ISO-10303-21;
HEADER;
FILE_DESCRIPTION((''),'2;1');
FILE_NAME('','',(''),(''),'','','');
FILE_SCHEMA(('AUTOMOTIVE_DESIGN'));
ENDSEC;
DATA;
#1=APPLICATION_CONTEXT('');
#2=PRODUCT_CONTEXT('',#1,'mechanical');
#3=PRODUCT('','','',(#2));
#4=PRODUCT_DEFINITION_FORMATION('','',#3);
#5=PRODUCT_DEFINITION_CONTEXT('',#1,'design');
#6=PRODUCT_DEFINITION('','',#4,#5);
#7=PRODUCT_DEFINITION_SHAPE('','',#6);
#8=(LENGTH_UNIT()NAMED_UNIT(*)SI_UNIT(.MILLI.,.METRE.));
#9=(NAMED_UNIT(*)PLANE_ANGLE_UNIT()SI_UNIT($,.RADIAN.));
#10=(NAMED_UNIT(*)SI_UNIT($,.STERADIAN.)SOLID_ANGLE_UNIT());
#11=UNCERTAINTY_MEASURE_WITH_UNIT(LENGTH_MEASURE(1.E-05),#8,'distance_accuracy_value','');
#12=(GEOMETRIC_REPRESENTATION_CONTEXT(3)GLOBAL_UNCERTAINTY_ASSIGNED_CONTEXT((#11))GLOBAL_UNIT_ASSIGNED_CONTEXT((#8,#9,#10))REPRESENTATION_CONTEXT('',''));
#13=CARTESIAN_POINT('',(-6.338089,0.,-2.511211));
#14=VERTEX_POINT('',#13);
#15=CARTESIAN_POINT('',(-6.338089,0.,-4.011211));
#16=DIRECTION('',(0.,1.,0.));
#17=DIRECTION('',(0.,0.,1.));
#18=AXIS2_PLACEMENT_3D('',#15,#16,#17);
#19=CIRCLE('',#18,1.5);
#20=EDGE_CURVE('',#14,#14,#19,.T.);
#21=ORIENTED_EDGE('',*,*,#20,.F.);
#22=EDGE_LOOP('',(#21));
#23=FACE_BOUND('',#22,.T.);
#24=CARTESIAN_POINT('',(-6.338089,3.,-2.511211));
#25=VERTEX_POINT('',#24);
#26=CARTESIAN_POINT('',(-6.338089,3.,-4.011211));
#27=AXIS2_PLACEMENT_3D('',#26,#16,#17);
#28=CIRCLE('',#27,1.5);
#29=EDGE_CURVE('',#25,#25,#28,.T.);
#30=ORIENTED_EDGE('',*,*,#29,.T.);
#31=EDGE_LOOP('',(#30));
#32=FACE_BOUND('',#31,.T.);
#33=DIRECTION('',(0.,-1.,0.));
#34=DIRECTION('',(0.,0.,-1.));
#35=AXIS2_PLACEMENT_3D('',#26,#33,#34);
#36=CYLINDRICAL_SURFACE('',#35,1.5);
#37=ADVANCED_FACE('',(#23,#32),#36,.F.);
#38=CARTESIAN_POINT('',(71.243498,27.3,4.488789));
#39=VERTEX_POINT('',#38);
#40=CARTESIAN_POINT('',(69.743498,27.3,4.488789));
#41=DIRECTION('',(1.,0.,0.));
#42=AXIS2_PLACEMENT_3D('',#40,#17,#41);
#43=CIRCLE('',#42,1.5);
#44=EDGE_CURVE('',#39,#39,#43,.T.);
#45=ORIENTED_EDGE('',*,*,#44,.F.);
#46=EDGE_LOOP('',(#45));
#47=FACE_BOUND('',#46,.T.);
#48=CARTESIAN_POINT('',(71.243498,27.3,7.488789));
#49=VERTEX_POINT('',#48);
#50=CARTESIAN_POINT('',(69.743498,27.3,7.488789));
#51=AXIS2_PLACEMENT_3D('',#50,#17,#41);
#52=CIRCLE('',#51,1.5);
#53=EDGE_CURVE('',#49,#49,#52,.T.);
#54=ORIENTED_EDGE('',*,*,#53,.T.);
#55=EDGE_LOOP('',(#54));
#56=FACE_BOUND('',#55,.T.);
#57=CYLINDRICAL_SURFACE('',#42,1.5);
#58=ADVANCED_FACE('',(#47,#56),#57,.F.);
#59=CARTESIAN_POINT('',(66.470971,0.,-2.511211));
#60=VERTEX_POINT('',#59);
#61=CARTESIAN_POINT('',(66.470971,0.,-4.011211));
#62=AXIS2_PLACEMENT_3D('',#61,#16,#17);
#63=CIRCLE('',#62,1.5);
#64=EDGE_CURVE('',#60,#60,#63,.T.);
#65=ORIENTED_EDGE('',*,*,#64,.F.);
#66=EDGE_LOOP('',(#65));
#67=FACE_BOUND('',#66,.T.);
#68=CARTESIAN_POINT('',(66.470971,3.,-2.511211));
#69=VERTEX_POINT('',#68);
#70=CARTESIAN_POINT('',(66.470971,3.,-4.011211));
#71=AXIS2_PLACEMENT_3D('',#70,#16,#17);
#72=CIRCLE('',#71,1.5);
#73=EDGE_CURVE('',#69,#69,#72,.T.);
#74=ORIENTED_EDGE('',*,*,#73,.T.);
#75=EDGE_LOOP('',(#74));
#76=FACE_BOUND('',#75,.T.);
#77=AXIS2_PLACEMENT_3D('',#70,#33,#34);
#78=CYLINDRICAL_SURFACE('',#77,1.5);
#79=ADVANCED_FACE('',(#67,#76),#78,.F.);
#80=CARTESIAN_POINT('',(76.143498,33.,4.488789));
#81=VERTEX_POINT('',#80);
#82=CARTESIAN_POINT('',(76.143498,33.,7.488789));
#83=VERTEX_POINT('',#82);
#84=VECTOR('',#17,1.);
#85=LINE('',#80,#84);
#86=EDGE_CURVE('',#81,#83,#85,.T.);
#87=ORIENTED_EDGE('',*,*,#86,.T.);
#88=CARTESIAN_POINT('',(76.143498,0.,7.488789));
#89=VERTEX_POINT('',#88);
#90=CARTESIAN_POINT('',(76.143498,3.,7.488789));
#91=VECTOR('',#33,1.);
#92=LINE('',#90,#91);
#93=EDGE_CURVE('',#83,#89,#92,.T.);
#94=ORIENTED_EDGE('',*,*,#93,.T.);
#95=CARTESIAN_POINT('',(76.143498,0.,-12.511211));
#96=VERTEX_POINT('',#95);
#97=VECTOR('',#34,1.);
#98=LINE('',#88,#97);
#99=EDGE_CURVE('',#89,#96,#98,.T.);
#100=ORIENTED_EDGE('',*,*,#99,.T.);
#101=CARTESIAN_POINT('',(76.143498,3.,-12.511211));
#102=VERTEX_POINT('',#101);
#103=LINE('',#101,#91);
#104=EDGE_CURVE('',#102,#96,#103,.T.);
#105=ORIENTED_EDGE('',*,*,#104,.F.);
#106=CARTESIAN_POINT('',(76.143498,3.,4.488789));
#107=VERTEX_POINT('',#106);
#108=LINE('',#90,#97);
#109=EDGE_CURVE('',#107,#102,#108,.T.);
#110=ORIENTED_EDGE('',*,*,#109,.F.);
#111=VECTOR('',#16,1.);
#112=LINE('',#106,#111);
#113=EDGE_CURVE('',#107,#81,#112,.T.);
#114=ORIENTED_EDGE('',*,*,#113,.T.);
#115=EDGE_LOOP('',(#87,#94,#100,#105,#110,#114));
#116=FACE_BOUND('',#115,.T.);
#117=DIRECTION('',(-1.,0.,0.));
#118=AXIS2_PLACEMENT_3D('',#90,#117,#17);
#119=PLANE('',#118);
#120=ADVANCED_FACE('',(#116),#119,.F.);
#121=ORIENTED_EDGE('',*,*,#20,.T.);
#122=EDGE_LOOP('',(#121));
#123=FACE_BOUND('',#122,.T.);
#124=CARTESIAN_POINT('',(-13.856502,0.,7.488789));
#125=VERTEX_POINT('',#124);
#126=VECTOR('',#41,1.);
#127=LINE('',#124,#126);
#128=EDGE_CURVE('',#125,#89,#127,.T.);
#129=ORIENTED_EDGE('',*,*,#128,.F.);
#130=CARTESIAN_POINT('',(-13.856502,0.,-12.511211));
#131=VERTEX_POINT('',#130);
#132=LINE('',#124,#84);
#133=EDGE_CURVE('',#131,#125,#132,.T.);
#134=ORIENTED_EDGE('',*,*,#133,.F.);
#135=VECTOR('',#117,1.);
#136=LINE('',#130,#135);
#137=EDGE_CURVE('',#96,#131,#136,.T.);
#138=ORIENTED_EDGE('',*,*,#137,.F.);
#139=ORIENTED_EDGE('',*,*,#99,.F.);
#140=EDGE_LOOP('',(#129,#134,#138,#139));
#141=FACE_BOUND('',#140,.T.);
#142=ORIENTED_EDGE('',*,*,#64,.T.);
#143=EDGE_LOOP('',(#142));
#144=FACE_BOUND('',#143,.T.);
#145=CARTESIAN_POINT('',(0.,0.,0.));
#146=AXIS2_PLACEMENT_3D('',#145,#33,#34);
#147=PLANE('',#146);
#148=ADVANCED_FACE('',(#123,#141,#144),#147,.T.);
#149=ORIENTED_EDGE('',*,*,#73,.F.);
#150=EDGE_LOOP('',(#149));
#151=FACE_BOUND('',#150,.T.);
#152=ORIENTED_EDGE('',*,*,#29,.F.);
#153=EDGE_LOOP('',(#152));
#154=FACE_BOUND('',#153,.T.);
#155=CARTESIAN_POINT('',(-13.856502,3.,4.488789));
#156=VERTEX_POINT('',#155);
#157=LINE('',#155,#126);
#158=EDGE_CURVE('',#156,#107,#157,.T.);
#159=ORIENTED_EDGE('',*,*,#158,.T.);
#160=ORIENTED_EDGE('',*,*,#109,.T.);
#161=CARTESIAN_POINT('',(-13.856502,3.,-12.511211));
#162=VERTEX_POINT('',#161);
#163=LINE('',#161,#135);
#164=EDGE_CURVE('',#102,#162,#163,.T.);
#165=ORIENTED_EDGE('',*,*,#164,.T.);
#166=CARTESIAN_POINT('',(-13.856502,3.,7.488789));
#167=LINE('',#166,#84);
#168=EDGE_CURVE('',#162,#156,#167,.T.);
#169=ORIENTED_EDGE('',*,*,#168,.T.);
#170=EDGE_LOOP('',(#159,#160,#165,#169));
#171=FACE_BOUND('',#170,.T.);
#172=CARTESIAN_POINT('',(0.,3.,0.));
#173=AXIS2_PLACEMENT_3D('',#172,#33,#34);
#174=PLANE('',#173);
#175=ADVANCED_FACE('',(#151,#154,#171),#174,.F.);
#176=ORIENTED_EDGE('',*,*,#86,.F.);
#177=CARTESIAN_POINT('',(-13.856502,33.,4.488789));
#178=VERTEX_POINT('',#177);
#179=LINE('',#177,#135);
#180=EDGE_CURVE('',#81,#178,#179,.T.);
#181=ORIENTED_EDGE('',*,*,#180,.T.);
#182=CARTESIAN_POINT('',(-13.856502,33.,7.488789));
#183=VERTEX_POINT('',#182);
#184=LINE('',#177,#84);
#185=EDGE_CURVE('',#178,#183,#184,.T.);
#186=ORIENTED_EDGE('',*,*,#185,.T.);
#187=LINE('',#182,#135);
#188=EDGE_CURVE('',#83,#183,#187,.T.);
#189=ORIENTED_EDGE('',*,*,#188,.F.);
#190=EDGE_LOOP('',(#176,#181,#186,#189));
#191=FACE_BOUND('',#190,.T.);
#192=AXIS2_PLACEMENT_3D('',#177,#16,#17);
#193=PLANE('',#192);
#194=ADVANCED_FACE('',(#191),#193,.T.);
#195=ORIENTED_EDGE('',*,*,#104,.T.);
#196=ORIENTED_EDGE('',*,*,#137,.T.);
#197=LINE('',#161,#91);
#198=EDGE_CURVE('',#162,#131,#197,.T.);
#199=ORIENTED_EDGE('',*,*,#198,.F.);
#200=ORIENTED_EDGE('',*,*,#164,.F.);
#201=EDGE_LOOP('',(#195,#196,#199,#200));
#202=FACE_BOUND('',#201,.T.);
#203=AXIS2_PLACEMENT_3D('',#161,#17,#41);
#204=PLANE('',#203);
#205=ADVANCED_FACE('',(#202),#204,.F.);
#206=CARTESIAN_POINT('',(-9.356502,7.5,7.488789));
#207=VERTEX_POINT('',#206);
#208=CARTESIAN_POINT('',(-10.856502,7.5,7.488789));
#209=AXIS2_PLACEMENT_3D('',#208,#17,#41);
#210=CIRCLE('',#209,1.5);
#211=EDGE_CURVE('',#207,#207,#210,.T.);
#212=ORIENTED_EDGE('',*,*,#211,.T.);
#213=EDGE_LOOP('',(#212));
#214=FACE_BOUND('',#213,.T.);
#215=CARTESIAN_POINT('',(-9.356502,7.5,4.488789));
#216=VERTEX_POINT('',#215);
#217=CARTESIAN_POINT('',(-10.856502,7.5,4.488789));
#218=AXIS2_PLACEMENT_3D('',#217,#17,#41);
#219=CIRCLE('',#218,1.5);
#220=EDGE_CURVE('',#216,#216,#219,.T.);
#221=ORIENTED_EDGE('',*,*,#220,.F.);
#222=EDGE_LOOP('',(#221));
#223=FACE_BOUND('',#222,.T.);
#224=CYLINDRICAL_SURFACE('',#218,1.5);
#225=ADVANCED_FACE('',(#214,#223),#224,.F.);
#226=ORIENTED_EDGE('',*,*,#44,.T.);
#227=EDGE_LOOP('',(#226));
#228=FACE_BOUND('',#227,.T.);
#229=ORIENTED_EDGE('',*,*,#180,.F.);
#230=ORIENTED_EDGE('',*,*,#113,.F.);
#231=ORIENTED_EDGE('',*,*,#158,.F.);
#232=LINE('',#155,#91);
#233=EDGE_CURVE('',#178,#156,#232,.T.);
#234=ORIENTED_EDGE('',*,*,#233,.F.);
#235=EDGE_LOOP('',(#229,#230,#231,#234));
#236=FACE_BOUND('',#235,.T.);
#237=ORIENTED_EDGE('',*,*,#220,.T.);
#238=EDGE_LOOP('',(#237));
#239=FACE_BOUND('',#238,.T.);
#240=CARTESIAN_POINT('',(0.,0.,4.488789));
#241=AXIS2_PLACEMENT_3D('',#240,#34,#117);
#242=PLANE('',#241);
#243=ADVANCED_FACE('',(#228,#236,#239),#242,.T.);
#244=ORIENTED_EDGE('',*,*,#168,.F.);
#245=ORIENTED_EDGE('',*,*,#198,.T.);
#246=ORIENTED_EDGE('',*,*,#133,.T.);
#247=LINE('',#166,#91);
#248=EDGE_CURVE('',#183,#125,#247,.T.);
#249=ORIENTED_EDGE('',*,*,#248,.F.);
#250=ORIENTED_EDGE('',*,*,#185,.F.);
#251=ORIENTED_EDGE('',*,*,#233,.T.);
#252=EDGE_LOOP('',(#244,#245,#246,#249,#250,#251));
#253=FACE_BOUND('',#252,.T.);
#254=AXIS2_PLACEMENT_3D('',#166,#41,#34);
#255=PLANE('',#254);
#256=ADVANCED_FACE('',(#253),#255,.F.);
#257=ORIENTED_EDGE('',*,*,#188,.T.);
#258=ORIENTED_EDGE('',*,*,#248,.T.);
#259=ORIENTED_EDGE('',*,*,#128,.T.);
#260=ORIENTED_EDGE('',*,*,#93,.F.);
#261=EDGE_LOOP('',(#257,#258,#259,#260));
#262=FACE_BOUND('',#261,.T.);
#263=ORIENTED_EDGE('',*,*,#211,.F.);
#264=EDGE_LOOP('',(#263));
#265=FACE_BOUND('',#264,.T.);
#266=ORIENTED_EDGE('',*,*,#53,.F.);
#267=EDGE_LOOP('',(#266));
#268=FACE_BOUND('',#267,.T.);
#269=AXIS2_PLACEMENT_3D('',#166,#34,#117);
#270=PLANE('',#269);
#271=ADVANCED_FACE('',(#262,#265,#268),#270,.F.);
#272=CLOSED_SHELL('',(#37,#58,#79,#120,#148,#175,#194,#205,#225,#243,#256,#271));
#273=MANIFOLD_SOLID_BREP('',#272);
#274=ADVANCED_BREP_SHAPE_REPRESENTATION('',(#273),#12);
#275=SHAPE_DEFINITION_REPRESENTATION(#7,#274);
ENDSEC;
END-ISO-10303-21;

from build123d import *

# Parameters (mm, degrees)
SKETCH1_W           = 90
SKETCH1_H           = 20
SKETCH1_R           = 1.5
BOSS_EXTRUDE1_DEPTH = 3
SKETCH2_W           = 90
SKETCH2_H           = 30
SKETCH2_R           = 1.5
BOSS_EXTRUDE2_DEPTH = 3


with BuildPart() as part:
    # Sketch1 → Boss-Extrude1 (new body)
    with BuildSketch(Plane(origin=(0, 0, 0), x_dir=(1, 0, 0), z_dir=(0, 1, 0))):
        with Locations((31.143497758, 2.511210762)):
            Rectangle(SKETCH1_W, SKETCH1_H)
        with Locations(Location((-6.338089317, 4.011210762, 0), (0, 0, 270))):
            Circle(SKETCH1_R, mode=Mode.SUBTRACT)
        with Locations(Location((66.470970633, 4.011210762, 0), (0, 0, 270))):
            Circle(SKETCH1_R, mode=Mode.SUBTRACT)
    extrude(amount=BOSS_EXTRUDE1_DEPTH)

    # Sketch2 → Boss-Extrude2 (add)
    with BuildSketch(Plane.XY.offset(7.488789238)):
        with Locations((31.143497758, 18)):
            Rectangle(SKETCH2_W, SKETCH2_H)
        with Locations((-10.856502242, 7.5)):
            Circle(SKETCH2_R, mode=Mode.SUBTRACT)
        with Locations((69.743497758, 27.3)):
            Circle(SKETCH2_R, mode=Mode.SUBTRACT)
    extrude(amount=-BOSS_EXTRUDE2_DEPTH)


solid = part.part
